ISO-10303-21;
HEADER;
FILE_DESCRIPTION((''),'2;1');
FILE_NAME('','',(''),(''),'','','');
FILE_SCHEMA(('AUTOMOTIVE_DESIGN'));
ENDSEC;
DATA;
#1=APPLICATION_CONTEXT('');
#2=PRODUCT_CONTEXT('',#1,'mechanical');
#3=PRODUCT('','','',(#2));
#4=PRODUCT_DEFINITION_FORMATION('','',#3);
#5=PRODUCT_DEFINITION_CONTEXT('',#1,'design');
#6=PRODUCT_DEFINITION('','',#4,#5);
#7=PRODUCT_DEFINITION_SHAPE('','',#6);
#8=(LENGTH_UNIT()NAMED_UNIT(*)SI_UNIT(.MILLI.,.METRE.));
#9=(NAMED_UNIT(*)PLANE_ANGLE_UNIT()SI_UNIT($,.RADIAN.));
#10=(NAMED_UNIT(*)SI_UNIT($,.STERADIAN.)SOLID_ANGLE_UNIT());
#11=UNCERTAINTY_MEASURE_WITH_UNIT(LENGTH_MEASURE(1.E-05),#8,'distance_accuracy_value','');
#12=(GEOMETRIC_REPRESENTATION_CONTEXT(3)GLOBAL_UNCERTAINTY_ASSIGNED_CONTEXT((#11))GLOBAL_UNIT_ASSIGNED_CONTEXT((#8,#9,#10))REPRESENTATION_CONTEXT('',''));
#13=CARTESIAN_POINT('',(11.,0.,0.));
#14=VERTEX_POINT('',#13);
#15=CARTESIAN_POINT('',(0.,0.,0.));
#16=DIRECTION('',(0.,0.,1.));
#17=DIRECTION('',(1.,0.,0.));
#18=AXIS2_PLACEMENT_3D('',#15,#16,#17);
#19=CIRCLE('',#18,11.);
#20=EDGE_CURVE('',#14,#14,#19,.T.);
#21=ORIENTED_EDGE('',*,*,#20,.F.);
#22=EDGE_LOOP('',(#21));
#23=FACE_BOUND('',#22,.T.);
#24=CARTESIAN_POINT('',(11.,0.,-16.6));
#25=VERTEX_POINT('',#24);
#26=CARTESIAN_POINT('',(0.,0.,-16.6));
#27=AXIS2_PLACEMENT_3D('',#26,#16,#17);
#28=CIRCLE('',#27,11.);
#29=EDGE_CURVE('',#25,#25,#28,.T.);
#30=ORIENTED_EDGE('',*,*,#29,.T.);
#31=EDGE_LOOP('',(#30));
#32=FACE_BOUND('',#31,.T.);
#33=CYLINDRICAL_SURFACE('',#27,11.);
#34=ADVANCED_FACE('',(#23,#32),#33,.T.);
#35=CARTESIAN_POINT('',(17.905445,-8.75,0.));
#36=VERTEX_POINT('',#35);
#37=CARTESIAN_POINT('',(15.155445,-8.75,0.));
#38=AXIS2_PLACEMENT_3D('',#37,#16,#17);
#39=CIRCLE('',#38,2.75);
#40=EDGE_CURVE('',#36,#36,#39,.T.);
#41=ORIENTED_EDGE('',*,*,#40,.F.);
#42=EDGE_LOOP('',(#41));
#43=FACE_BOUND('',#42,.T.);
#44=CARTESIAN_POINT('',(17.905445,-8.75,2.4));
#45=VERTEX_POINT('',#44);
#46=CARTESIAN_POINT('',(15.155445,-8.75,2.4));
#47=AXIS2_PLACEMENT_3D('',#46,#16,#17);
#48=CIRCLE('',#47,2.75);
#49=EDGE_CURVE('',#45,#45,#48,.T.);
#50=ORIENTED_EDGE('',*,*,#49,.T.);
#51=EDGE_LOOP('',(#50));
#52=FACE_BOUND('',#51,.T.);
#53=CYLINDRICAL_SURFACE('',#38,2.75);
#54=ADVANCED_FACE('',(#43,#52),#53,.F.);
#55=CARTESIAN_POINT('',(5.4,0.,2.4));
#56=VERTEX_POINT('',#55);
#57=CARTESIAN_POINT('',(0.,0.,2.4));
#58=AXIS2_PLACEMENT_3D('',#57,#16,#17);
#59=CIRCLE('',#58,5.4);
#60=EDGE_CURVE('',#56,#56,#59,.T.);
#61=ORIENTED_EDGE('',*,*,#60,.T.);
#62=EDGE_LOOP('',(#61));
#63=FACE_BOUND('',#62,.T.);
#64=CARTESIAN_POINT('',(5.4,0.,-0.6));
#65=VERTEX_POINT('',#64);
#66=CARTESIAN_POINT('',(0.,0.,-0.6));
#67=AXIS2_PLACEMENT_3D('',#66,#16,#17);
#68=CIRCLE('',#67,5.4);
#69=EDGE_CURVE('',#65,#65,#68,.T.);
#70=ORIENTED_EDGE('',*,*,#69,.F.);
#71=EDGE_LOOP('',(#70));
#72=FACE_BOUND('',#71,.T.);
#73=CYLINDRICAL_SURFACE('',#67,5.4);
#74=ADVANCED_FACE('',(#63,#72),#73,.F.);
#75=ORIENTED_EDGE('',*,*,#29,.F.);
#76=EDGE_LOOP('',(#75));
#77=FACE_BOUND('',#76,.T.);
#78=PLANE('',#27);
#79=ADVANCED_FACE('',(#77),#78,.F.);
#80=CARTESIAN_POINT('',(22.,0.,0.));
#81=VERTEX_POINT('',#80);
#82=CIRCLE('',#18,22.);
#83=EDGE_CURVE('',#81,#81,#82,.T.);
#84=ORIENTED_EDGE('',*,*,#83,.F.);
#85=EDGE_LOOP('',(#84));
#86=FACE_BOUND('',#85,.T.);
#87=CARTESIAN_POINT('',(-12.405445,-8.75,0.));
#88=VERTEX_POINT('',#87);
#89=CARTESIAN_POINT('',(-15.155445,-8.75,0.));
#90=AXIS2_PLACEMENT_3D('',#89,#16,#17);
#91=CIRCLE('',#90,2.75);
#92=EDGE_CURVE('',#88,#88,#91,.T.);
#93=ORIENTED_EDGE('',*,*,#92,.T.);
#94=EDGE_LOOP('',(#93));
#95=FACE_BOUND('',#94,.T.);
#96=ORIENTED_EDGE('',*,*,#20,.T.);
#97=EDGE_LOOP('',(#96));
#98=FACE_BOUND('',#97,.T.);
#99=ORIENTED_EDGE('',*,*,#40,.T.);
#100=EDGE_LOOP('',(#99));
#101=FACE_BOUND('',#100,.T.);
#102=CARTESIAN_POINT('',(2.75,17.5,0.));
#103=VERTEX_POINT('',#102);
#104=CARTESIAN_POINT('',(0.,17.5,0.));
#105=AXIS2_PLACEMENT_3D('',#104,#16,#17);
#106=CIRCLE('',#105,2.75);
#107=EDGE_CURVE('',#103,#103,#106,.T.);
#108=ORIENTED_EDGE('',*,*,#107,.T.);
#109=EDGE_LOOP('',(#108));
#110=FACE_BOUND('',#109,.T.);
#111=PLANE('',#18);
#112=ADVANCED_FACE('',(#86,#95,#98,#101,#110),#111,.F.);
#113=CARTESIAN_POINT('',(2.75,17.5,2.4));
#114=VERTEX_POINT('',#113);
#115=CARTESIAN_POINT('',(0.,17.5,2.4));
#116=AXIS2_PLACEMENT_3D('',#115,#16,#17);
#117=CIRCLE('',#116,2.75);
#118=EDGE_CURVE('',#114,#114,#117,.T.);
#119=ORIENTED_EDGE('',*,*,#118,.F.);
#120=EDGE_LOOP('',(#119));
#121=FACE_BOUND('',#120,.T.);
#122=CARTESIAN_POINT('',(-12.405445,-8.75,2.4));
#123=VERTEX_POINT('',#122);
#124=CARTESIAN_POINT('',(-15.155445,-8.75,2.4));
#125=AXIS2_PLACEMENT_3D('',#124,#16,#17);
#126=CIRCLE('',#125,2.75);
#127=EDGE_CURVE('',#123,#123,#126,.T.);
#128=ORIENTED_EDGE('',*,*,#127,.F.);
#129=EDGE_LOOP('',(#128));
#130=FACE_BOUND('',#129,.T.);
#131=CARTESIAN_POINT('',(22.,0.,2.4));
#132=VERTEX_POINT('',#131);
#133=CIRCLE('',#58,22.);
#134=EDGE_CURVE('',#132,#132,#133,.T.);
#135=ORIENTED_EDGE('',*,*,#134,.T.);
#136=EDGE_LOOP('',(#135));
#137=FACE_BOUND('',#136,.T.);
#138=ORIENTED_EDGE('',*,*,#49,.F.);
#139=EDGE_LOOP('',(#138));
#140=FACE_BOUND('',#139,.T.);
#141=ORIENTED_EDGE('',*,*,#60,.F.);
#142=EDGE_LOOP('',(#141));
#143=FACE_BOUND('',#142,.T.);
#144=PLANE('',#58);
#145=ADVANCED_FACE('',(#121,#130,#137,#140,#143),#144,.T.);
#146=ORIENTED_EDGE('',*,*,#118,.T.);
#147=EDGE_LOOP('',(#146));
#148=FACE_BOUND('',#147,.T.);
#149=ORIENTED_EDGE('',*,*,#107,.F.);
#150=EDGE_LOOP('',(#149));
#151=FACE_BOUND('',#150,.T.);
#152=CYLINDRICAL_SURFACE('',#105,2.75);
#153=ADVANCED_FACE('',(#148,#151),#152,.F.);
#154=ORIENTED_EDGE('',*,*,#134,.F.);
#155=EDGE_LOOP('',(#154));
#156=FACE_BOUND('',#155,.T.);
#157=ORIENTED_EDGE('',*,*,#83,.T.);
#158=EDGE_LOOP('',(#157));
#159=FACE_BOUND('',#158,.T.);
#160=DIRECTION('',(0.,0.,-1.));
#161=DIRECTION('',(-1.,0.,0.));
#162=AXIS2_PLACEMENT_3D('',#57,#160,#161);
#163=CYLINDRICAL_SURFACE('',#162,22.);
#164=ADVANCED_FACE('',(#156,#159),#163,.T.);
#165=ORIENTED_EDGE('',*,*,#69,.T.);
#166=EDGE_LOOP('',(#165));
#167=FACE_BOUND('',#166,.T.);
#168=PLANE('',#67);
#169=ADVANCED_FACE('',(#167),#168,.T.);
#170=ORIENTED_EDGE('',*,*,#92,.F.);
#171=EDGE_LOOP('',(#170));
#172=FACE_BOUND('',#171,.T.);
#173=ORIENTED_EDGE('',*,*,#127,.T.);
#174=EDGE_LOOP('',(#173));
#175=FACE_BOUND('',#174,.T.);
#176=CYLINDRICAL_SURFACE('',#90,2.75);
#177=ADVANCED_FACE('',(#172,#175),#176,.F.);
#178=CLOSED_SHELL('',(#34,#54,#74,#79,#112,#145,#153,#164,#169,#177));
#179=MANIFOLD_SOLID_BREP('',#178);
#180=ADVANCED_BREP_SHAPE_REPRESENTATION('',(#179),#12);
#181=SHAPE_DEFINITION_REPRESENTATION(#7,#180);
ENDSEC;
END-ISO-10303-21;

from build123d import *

# Parameters (mm, degrees)
SKETCH1_R           = 22
SKETCH1_R_2         = 11
BOSS_EXTRUDE1_DEPTH = 2.4
SKETCH2_R           = 2.75
CUT_EXTRUDE1_DEPTH  = 32.205127784
BOSS_EXTRUDE4_START = -19
SKETCH4_R           = 11
BOSS_EXTRUDE4_DEPTH = 19
SKETCH6_R           = 5.4
CUT_EXTRUDE2_DEPTH  = 3


with BuildPart() as part:
    # Sketch1 → Boss-Extrude1 (new body)
    with BuildSketch(Plane.XY):
        Circle(SKETCH1_R)
        Circle(SKETCH1_R_2, mode=Mode.SUBTRACT)
    extrude(amount=BOSS_EXTRUDE1_DEPTH)

    # Sketch2 → Cut-Extrude1 (cut, through all)
    with BuildSketch(Plane.XY.offset(2.4)):
        with Locations((0, 17.5)):
            Circle(SKETCH2_R)
        with Locations((15.155444566, -8.75)):
            Circle(SKETCH2_R)
        with Locations((-15.155444566, -8.75)):
            Circle(SKETCH2_R)
    extrude(amount=-CUT_EXTRUDE1_DEPTH, mode=Mode.SUBTRACT)

    # Sketch4 → Boss-Extrude4 (add)
    with BuildSketch(Plane.XY.offset(2.4).offset(BOSS_EXTRUDE4_START)):
        Circle(SKETCH4_R)
    extrude(amount=BOSS_EXTRUDE4_DEPTH)

    # Sketch6 → Cut-Extrude2 (cut)
    with BuildSketch(Plane.XY.offset(2.4)):
        Circle(SKETCH6_R)
    extrude(amount=-CUT_EXTRUDE2_DEPTH, mode=Mode.SUBTRACT)


solid = part.part
